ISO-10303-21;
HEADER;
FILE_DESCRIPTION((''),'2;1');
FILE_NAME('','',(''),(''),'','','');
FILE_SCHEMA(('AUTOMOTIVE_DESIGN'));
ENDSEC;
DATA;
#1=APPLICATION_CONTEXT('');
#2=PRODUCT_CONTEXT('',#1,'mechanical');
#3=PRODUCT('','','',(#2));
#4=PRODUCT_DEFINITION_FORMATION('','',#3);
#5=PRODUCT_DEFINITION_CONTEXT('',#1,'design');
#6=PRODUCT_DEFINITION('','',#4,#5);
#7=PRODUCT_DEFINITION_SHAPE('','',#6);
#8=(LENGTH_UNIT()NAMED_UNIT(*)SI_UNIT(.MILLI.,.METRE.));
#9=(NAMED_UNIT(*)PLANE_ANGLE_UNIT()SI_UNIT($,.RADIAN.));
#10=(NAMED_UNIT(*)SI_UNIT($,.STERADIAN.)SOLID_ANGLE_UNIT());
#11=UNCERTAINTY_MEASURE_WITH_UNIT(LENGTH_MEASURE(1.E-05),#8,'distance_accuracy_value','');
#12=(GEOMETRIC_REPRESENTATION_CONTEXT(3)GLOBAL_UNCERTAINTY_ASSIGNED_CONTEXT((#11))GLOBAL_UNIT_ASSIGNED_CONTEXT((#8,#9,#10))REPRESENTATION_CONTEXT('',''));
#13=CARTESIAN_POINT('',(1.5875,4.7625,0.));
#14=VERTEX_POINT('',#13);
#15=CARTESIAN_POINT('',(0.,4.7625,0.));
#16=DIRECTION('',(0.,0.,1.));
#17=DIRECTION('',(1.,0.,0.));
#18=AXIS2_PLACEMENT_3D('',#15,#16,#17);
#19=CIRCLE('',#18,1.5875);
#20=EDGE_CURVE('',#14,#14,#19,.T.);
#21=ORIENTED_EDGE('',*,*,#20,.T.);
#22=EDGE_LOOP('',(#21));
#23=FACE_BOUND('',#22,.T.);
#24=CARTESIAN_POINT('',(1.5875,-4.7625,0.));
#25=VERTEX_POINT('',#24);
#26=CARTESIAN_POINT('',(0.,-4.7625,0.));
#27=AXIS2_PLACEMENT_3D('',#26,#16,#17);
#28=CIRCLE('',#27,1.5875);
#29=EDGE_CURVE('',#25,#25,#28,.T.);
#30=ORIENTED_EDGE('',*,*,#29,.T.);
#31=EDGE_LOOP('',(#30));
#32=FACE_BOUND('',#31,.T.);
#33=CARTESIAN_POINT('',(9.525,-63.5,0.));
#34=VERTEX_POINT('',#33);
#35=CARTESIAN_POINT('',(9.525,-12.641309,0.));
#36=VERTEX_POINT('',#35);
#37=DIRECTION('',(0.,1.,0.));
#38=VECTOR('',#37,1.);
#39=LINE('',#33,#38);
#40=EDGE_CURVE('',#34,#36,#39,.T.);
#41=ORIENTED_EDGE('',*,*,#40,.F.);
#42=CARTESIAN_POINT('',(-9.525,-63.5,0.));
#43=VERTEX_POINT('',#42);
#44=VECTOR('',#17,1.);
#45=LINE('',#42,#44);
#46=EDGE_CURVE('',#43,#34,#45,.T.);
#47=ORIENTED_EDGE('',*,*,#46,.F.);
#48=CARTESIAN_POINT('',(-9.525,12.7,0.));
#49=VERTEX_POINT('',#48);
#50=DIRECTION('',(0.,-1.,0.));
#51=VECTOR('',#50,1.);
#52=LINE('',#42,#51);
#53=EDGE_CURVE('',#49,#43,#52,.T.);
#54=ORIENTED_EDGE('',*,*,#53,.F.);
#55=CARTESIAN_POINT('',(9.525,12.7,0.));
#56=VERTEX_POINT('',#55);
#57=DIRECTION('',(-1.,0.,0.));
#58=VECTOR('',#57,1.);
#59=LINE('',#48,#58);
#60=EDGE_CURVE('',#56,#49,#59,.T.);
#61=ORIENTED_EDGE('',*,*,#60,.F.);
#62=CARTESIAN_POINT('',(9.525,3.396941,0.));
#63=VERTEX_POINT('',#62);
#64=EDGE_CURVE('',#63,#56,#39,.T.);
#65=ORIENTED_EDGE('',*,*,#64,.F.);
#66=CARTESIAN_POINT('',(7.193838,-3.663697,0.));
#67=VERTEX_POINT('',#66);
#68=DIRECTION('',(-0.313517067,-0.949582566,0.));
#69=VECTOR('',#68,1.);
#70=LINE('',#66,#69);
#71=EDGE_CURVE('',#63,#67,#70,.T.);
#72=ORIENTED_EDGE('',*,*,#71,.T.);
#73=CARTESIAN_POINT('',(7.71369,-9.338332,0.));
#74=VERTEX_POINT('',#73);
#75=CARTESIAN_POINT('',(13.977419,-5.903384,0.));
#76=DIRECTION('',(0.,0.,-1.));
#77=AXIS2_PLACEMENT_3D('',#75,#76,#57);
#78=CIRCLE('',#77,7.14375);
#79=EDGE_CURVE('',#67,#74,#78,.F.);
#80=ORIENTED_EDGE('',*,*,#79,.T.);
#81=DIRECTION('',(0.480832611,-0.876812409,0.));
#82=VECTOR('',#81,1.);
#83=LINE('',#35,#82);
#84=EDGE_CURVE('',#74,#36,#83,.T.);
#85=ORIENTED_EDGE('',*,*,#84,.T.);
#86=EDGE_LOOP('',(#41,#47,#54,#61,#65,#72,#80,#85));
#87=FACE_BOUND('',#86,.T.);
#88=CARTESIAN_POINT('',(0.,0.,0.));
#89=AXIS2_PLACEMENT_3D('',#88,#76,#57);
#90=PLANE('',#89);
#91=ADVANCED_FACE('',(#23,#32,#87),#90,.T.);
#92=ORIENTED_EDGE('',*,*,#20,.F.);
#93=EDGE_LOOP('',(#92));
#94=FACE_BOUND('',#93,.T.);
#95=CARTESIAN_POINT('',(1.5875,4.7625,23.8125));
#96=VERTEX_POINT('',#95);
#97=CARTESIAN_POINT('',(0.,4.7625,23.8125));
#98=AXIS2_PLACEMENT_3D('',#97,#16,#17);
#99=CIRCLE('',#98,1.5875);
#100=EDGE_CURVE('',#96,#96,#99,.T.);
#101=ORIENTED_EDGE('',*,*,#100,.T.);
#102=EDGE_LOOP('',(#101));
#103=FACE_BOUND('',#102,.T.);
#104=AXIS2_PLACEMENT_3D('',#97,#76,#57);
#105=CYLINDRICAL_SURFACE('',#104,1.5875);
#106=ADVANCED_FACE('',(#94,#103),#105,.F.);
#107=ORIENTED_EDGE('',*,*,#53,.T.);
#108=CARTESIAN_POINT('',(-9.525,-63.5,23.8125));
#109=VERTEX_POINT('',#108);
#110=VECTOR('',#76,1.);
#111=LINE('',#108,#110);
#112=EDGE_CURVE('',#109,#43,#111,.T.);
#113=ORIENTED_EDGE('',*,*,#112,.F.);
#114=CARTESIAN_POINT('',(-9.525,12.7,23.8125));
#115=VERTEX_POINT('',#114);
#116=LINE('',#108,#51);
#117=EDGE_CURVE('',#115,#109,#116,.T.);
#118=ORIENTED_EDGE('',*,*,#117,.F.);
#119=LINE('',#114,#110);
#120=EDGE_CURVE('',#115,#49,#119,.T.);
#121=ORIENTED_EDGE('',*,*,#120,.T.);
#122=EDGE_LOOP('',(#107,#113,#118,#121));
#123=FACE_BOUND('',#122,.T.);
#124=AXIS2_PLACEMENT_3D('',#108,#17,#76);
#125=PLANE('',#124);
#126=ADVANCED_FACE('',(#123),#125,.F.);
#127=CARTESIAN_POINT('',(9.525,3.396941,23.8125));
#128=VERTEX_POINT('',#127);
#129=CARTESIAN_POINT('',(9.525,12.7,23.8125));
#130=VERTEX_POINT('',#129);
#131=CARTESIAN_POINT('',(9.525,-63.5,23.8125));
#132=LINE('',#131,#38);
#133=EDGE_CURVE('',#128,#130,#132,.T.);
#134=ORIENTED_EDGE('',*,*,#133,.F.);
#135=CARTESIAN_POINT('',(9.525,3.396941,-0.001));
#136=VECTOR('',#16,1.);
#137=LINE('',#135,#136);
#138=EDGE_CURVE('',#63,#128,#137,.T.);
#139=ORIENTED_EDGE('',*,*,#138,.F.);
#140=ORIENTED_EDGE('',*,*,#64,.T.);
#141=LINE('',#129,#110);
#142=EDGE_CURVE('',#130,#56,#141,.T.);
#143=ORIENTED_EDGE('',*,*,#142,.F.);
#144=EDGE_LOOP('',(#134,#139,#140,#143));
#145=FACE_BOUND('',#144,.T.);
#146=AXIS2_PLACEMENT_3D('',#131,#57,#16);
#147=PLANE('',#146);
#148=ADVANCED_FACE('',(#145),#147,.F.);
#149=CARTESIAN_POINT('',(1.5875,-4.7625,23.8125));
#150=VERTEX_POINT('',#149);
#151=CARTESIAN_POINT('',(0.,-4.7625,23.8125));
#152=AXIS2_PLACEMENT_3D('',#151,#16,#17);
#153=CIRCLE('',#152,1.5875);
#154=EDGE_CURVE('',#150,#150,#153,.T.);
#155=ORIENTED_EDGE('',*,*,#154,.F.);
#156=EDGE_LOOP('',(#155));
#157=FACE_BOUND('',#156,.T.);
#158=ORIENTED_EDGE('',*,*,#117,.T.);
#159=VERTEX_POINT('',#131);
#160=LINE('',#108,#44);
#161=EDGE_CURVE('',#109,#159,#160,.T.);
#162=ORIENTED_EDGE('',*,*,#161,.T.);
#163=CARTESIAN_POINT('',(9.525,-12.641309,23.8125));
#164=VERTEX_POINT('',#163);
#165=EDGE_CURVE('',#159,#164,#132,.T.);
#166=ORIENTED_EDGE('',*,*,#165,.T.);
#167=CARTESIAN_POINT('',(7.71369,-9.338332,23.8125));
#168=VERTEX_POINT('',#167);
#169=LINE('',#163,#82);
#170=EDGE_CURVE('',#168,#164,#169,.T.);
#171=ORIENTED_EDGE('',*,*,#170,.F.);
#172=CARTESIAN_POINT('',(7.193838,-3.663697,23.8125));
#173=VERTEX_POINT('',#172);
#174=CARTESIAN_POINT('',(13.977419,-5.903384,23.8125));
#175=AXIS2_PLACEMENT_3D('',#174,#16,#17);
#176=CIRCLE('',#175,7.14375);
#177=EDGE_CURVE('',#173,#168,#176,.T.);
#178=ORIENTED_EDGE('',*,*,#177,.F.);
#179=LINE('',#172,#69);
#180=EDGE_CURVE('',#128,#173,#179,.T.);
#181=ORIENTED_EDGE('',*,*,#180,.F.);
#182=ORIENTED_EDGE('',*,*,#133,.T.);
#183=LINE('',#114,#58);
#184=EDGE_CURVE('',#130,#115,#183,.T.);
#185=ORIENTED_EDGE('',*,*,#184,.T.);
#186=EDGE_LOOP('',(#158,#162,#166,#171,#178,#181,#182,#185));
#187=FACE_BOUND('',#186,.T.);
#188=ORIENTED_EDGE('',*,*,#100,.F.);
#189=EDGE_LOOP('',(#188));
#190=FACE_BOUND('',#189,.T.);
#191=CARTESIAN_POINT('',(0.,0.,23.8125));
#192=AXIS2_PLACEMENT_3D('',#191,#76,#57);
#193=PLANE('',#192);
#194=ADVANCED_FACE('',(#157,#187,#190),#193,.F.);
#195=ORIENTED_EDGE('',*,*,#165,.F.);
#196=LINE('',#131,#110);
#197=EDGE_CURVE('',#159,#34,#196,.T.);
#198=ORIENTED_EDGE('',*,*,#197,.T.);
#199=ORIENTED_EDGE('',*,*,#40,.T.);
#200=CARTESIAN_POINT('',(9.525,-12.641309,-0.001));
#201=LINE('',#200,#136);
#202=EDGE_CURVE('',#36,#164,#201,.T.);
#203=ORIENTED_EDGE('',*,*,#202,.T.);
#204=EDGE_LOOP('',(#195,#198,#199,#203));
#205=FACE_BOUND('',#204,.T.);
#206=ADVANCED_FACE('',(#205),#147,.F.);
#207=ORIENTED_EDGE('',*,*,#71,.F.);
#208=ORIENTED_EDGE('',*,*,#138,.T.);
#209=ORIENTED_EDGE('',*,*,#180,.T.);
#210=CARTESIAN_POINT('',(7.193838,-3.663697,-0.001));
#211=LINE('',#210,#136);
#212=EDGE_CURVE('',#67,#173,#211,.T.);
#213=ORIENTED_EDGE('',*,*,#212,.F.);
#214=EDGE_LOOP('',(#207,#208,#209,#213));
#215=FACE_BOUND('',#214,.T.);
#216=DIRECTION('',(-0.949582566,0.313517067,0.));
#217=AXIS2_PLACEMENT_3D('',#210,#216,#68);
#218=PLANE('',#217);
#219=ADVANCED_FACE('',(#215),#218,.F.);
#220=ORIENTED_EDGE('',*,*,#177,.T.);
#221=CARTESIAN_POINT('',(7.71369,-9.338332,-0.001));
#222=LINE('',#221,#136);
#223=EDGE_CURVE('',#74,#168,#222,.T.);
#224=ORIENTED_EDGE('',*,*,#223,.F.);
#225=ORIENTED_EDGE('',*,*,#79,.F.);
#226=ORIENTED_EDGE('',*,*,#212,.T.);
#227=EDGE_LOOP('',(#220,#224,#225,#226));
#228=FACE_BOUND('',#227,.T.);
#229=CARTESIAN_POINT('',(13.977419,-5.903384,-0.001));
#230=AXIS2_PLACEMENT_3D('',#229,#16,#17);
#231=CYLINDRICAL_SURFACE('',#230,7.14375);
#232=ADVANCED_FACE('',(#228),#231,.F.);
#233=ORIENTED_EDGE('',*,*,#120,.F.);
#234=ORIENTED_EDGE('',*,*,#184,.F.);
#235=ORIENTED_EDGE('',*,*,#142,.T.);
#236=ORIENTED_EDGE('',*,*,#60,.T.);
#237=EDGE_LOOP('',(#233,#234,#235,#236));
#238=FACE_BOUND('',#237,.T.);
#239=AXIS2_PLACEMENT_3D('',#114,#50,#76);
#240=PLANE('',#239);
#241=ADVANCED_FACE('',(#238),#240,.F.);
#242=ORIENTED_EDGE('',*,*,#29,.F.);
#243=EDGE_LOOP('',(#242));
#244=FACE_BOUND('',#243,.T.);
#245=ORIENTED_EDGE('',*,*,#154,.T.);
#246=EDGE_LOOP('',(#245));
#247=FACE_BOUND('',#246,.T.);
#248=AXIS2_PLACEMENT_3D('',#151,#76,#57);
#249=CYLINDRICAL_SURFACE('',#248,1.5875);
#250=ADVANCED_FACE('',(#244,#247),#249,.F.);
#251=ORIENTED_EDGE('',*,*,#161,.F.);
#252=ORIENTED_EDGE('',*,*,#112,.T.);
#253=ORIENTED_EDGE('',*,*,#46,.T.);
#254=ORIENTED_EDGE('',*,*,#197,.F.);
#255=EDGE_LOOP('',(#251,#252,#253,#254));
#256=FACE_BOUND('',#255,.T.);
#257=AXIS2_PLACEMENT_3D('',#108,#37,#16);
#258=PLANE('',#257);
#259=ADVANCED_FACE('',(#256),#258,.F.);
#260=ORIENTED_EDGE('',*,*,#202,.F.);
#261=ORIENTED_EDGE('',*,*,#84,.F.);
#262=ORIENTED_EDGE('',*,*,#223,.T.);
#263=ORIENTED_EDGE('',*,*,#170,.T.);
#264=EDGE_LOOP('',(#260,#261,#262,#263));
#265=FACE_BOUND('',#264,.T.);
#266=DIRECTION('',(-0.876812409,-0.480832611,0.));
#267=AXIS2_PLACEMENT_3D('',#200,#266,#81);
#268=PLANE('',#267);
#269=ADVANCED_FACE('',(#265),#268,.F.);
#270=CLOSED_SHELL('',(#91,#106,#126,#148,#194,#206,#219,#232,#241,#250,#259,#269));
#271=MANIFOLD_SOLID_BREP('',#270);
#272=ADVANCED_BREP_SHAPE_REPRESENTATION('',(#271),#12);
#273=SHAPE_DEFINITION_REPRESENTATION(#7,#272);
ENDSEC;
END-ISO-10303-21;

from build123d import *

# Parameters (mm, degrees)
SKETCH1_W           = 19.05
SKETCH1_H           = 76.2
SKETCH1_R           = 1.5875
BOSS_EXTRUDE1_DEPTH = 23.8125
CUT_EXTRUDE1_REACH  = 25.812


with BuildPart() as part:
    # Sketch1 → Boss-Extrude1 (new body)
    with BuildSketch(Plane.XY):
        with Locations((0, -25.4)):
            Rectangle(SKETCH1_W, SKETCH1_H)
        with Locations((0, 4.7625)):
            Circle(SKETCH1_R, mode=Mode.SUBTRACT)
        with Locations((0, -4.7625)):
            Circle(SKETCH1_R, mode=Mode.SUBTRACT)
    extrude(amount=BOSS_EXTRUDE1_DEPTH)

    # Sketch3 → Cut-Extrude1 (cut, up to next)
    with BuildSketch(Plane.XY.offset(23.8125), mode=Mode.PRIVATE) as cut_extrude1_sk1:
        with BuildLine():
            Line((9.525, -12.641309428), (9.525, 3.396941189))
            Line((9.525, 3.396941189), (7.193838245, -3.663696954))
            ThreePointArc((7.193838245, -3.663696954), (6.863457725, -6.55509252), (7.713690054, -9.338332466))
            Line((7.713690054, -9.338332466), (9.525, -12.641309428))
        make_face()
    cut_extrude1_tool1 = extrude(cut_extrude1_sk1.sketch, amount=-CUT_EXTRUDE1_REACH, mode=Mode.PRIVATE) & part.part
    add(cut_extrude1_tool1.solids().sort_by_distance((8.507816, -5.222222, 23.8125))[0], mode=Mode.SUBTRACT)


solid = part.part
